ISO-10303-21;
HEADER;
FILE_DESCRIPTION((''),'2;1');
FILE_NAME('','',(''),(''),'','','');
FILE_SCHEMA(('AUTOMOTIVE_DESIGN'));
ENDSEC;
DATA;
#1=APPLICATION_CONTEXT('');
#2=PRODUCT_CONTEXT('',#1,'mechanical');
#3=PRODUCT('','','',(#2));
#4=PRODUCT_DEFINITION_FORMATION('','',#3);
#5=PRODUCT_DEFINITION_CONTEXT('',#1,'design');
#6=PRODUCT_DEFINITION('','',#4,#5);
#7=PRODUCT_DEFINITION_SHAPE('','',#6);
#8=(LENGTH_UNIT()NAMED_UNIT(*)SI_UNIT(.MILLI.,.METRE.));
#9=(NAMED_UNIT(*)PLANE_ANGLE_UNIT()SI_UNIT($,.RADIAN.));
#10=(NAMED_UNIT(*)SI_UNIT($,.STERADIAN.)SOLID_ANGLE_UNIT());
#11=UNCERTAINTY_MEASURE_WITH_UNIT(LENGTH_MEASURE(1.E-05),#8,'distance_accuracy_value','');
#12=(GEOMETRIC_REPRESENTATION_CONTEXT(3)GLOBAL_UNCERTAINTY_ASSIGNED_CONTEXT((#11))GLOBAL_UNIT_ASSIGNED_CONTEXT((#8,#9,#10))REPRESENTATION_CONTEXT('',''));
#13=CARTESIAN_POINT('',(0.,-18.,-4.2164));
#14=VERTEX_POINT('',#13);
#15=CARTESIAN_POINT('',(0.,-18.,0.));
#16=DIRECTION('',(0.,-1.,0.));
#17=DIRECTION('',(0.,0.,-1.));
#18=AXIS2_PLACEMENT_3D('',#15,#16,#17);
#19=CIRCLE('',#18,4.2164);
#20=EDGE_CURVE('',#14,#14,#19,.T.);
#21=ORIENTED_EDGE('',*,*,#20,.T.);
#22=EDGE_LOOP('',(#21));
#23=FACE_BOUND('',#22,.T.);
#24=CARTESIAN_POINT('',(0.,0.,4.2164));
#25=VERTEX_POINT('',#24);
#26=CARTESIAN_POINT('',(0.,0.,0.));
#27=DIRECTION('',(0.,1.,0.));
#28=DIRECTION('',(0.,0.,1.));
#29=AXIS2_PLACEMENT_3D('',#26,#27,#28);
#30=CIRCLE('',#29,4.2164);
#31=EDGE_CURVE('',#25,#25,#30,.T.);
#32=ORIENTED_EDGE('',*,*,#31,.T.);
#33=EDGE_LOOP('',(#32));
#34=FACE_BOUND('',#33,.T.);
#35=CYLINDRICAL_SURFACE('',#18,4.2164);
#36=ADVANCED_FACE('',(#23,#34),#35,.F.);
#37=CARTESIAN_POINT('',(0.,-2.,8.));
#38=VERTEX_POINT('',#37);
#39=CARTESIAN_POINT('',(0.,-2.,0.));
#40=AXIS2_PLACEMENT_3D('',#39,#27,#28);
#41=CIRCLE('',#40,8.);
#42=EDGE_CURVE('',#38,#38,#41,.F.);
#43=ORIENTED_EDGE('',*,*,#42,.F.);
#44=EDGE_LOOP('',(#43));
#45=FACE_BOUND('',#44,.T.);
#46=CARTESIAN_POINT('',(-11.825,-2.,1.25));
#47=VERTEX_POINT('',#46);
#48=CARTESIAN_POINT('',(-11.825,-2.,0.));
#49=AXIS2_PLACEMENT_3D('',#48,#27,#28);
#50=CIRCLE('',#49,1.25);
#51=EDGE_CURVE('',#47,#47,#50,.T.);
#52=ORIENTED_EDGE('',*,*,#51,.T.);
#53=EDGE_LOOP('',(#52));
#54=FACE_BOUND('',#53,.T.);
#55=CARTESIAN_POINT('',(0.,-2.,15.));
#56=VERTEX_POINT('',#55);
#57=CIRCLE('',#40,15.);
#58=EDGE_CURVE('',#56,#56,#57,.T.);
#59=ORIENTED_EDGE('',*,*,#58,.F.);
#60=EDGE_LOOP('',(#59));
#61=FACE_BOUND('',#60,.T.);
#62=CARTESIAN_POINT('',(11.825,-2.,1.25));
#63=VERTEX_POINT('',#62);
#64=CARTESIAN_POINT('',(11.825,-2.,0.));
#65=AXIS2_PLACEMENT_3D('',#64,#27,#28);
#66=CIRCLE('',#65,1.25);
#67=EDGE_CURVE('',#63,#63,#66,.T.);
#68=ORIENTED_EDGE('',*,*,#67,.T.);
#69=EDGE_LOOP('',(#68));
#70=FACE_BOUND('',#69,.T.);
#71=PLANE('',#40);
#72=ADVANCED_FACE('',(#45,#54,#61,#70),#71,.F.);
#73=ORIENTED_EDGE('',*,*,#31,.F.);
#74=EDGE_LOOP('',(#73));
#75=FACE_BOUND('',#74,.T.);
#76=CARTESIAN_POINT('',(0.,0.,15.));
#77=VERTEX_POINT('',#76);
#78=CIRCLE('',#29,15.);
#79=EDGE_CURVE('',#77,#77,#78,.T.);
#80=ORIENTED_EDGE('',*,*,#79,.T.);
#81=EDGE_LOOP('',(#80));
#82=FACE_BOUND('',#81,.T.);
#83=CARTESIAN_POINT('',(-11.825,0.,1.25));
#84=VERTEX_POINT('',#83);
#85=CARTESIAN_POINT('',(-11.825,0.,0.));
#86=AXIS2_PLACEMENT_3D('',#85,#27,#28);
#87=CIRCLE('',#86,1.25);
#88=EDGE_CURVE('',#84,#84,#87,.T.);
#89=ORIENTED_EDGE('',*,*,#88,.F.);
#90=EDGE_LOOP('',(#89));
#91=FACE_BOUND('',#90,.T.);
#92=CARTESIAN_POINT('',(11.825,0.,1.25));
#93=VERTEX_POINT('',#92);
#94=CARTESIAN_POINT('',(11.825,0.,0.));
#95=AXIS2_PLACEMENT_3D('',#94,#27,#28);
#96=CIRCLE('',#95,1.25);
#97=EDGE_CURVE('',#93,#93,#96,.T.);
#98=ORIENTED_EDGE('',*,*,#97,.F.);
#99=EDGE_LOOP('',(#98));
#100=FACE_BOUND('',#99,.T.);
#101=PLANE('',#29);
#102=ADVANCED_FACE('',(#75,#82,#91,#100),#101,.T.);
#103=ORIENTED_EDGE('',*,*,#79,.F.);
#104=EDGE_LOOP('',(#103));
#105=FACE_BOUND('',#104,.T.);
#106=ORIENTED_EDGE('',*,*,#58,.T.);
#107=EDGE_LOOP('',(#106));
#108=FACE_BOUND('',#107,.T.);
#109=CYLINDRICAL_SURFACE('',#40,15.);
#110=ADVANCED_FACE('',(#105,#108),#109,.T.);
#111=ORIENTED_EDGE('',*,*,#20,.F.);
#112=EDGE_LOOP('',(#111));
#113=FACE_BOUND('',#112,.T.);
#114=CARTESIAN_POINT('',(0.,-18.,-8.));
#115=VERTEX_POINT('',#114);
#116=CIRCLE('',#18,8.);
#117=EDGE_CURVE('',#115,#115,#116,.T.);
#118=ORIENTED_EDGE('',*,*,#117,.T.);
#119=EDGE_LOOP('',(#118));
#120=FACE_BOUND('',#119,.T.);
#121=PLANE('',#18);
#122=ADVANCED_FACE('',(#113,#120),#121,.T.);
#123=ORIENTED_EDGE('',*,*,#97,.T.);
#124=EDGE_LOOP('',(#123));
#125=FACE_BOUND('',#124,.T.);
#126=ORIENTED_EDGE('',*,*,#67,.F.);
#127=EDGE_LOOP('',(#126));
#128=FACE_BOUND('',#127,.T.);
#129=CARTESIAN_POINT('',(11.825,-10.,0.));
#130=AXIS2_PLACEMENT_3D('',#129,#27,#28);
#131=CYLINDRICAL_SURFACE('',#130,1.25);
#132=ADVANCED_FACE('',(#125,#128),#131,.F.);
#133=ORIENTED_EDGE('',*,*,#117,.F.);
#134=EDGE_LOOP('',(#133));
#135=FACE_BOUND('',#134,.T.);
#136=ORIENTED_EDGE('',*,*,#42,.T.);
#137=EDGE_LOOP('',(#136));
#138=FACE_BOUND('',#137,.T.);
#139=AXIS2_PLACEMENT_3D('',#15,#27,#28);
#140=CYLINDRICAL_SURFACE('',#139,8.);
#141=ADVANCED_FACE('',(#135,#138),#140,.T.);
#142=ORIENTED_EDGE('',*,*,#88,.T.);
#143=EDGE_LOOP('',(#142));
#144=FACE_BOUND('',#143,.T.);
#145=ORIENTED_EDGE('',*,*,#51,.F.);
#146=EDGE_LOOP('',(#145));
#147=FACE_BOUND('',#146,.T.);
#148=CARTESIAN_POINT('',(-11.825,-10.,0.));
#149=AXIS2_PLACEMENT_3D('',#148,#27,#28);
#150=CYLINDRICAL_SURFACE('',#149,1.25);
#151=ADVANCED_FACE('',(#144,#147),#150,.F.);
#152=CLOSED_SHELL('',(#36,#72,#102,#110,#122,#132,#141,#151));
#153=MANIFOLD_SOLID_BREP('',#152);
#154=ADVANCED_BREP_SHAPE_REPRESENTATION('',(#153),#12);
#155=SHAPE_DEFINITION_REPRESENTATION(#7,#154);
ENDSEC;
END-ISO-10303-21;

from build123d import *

# Parameters (mm, degrees)
SKETCH1_R                   = 15
BOSS_EXTRUDE1_DEPTH         = 2
SKETCH2_R                   = 8
BOSS_EXTRUDE2_DEPTH         = 16
F_3_8_24_TAPPED_HOLE1_D     = 8.4328
F_3_8_24_TAPPED_HOLE1_DEPTH = 24.4
F_3_8_24_TAPPED_HOLE1_TIP   = 2.533468714
SKETCH5_R                   = 1.25
CUT_EXTRUDE1_DEPTH          = 10


with BuildPart() as part:
    # Sketch1 → Boss-Extrude1 (new body)
    with BuildSketch(Plane(origin=(0, 0, 0), x_dir=(1, 0, 0), z_dir=(0, 1, 0))):
        Circle(SKETCH1_R)
    extrude(amount=-BOSS_EXTRUDE1_DEPTH)

    # Sketch2 → Boss-Extrude2 (add)
    with BuildSketch(Plane.XZ.offset(2)):
        Circle(SKETCH2_R)
    extrude(amount=BOSS_EXTRUDE2_DEPTH)

    # 3/8-24 Tapped Hole1
    with Locations(Plane(origin=(0, -18, 0), x_dir=(-1, 0, 0), z_dir=(0, -1, 0))):
        with Locations((0, 0)):
            Hole(F_3_8_24_TAPPED_HOLE1_D / 2, depth=F_3_8_24_TAPPED_HOLE1_DEPTH)
            with Locations((0, 0, -(F_3_8_24_TAPPED_HOLE1_DEPTH + F_3_8_24_TAPPED_HOLE1_TIP / 2))):  # 118° drill point
                Cone(0, F_3_8_24_TAPPED_HOLE1_D / 2, F_3_8_24_TAPPED_HOLE1_TIP, mode=Mode.SUBTRACT)

    # Sketch5 → Cut-Extrude1 (cut)
    with BuildSketch(Plane(origin=(0, 0, 0), x_dir=(1, 0, 0), z_dir=(0, 1, 0))):
        with Locations((11.825, 0)):
            Circle(SKETCH5_R)
        with Locations((-11.825, 0)):
            Circle(SKETCH5_R)
    extrude(amount=-CUT_EXTRUDE1_DEPTH, mode=Mode.SUBTRACT)


solid = part.part
